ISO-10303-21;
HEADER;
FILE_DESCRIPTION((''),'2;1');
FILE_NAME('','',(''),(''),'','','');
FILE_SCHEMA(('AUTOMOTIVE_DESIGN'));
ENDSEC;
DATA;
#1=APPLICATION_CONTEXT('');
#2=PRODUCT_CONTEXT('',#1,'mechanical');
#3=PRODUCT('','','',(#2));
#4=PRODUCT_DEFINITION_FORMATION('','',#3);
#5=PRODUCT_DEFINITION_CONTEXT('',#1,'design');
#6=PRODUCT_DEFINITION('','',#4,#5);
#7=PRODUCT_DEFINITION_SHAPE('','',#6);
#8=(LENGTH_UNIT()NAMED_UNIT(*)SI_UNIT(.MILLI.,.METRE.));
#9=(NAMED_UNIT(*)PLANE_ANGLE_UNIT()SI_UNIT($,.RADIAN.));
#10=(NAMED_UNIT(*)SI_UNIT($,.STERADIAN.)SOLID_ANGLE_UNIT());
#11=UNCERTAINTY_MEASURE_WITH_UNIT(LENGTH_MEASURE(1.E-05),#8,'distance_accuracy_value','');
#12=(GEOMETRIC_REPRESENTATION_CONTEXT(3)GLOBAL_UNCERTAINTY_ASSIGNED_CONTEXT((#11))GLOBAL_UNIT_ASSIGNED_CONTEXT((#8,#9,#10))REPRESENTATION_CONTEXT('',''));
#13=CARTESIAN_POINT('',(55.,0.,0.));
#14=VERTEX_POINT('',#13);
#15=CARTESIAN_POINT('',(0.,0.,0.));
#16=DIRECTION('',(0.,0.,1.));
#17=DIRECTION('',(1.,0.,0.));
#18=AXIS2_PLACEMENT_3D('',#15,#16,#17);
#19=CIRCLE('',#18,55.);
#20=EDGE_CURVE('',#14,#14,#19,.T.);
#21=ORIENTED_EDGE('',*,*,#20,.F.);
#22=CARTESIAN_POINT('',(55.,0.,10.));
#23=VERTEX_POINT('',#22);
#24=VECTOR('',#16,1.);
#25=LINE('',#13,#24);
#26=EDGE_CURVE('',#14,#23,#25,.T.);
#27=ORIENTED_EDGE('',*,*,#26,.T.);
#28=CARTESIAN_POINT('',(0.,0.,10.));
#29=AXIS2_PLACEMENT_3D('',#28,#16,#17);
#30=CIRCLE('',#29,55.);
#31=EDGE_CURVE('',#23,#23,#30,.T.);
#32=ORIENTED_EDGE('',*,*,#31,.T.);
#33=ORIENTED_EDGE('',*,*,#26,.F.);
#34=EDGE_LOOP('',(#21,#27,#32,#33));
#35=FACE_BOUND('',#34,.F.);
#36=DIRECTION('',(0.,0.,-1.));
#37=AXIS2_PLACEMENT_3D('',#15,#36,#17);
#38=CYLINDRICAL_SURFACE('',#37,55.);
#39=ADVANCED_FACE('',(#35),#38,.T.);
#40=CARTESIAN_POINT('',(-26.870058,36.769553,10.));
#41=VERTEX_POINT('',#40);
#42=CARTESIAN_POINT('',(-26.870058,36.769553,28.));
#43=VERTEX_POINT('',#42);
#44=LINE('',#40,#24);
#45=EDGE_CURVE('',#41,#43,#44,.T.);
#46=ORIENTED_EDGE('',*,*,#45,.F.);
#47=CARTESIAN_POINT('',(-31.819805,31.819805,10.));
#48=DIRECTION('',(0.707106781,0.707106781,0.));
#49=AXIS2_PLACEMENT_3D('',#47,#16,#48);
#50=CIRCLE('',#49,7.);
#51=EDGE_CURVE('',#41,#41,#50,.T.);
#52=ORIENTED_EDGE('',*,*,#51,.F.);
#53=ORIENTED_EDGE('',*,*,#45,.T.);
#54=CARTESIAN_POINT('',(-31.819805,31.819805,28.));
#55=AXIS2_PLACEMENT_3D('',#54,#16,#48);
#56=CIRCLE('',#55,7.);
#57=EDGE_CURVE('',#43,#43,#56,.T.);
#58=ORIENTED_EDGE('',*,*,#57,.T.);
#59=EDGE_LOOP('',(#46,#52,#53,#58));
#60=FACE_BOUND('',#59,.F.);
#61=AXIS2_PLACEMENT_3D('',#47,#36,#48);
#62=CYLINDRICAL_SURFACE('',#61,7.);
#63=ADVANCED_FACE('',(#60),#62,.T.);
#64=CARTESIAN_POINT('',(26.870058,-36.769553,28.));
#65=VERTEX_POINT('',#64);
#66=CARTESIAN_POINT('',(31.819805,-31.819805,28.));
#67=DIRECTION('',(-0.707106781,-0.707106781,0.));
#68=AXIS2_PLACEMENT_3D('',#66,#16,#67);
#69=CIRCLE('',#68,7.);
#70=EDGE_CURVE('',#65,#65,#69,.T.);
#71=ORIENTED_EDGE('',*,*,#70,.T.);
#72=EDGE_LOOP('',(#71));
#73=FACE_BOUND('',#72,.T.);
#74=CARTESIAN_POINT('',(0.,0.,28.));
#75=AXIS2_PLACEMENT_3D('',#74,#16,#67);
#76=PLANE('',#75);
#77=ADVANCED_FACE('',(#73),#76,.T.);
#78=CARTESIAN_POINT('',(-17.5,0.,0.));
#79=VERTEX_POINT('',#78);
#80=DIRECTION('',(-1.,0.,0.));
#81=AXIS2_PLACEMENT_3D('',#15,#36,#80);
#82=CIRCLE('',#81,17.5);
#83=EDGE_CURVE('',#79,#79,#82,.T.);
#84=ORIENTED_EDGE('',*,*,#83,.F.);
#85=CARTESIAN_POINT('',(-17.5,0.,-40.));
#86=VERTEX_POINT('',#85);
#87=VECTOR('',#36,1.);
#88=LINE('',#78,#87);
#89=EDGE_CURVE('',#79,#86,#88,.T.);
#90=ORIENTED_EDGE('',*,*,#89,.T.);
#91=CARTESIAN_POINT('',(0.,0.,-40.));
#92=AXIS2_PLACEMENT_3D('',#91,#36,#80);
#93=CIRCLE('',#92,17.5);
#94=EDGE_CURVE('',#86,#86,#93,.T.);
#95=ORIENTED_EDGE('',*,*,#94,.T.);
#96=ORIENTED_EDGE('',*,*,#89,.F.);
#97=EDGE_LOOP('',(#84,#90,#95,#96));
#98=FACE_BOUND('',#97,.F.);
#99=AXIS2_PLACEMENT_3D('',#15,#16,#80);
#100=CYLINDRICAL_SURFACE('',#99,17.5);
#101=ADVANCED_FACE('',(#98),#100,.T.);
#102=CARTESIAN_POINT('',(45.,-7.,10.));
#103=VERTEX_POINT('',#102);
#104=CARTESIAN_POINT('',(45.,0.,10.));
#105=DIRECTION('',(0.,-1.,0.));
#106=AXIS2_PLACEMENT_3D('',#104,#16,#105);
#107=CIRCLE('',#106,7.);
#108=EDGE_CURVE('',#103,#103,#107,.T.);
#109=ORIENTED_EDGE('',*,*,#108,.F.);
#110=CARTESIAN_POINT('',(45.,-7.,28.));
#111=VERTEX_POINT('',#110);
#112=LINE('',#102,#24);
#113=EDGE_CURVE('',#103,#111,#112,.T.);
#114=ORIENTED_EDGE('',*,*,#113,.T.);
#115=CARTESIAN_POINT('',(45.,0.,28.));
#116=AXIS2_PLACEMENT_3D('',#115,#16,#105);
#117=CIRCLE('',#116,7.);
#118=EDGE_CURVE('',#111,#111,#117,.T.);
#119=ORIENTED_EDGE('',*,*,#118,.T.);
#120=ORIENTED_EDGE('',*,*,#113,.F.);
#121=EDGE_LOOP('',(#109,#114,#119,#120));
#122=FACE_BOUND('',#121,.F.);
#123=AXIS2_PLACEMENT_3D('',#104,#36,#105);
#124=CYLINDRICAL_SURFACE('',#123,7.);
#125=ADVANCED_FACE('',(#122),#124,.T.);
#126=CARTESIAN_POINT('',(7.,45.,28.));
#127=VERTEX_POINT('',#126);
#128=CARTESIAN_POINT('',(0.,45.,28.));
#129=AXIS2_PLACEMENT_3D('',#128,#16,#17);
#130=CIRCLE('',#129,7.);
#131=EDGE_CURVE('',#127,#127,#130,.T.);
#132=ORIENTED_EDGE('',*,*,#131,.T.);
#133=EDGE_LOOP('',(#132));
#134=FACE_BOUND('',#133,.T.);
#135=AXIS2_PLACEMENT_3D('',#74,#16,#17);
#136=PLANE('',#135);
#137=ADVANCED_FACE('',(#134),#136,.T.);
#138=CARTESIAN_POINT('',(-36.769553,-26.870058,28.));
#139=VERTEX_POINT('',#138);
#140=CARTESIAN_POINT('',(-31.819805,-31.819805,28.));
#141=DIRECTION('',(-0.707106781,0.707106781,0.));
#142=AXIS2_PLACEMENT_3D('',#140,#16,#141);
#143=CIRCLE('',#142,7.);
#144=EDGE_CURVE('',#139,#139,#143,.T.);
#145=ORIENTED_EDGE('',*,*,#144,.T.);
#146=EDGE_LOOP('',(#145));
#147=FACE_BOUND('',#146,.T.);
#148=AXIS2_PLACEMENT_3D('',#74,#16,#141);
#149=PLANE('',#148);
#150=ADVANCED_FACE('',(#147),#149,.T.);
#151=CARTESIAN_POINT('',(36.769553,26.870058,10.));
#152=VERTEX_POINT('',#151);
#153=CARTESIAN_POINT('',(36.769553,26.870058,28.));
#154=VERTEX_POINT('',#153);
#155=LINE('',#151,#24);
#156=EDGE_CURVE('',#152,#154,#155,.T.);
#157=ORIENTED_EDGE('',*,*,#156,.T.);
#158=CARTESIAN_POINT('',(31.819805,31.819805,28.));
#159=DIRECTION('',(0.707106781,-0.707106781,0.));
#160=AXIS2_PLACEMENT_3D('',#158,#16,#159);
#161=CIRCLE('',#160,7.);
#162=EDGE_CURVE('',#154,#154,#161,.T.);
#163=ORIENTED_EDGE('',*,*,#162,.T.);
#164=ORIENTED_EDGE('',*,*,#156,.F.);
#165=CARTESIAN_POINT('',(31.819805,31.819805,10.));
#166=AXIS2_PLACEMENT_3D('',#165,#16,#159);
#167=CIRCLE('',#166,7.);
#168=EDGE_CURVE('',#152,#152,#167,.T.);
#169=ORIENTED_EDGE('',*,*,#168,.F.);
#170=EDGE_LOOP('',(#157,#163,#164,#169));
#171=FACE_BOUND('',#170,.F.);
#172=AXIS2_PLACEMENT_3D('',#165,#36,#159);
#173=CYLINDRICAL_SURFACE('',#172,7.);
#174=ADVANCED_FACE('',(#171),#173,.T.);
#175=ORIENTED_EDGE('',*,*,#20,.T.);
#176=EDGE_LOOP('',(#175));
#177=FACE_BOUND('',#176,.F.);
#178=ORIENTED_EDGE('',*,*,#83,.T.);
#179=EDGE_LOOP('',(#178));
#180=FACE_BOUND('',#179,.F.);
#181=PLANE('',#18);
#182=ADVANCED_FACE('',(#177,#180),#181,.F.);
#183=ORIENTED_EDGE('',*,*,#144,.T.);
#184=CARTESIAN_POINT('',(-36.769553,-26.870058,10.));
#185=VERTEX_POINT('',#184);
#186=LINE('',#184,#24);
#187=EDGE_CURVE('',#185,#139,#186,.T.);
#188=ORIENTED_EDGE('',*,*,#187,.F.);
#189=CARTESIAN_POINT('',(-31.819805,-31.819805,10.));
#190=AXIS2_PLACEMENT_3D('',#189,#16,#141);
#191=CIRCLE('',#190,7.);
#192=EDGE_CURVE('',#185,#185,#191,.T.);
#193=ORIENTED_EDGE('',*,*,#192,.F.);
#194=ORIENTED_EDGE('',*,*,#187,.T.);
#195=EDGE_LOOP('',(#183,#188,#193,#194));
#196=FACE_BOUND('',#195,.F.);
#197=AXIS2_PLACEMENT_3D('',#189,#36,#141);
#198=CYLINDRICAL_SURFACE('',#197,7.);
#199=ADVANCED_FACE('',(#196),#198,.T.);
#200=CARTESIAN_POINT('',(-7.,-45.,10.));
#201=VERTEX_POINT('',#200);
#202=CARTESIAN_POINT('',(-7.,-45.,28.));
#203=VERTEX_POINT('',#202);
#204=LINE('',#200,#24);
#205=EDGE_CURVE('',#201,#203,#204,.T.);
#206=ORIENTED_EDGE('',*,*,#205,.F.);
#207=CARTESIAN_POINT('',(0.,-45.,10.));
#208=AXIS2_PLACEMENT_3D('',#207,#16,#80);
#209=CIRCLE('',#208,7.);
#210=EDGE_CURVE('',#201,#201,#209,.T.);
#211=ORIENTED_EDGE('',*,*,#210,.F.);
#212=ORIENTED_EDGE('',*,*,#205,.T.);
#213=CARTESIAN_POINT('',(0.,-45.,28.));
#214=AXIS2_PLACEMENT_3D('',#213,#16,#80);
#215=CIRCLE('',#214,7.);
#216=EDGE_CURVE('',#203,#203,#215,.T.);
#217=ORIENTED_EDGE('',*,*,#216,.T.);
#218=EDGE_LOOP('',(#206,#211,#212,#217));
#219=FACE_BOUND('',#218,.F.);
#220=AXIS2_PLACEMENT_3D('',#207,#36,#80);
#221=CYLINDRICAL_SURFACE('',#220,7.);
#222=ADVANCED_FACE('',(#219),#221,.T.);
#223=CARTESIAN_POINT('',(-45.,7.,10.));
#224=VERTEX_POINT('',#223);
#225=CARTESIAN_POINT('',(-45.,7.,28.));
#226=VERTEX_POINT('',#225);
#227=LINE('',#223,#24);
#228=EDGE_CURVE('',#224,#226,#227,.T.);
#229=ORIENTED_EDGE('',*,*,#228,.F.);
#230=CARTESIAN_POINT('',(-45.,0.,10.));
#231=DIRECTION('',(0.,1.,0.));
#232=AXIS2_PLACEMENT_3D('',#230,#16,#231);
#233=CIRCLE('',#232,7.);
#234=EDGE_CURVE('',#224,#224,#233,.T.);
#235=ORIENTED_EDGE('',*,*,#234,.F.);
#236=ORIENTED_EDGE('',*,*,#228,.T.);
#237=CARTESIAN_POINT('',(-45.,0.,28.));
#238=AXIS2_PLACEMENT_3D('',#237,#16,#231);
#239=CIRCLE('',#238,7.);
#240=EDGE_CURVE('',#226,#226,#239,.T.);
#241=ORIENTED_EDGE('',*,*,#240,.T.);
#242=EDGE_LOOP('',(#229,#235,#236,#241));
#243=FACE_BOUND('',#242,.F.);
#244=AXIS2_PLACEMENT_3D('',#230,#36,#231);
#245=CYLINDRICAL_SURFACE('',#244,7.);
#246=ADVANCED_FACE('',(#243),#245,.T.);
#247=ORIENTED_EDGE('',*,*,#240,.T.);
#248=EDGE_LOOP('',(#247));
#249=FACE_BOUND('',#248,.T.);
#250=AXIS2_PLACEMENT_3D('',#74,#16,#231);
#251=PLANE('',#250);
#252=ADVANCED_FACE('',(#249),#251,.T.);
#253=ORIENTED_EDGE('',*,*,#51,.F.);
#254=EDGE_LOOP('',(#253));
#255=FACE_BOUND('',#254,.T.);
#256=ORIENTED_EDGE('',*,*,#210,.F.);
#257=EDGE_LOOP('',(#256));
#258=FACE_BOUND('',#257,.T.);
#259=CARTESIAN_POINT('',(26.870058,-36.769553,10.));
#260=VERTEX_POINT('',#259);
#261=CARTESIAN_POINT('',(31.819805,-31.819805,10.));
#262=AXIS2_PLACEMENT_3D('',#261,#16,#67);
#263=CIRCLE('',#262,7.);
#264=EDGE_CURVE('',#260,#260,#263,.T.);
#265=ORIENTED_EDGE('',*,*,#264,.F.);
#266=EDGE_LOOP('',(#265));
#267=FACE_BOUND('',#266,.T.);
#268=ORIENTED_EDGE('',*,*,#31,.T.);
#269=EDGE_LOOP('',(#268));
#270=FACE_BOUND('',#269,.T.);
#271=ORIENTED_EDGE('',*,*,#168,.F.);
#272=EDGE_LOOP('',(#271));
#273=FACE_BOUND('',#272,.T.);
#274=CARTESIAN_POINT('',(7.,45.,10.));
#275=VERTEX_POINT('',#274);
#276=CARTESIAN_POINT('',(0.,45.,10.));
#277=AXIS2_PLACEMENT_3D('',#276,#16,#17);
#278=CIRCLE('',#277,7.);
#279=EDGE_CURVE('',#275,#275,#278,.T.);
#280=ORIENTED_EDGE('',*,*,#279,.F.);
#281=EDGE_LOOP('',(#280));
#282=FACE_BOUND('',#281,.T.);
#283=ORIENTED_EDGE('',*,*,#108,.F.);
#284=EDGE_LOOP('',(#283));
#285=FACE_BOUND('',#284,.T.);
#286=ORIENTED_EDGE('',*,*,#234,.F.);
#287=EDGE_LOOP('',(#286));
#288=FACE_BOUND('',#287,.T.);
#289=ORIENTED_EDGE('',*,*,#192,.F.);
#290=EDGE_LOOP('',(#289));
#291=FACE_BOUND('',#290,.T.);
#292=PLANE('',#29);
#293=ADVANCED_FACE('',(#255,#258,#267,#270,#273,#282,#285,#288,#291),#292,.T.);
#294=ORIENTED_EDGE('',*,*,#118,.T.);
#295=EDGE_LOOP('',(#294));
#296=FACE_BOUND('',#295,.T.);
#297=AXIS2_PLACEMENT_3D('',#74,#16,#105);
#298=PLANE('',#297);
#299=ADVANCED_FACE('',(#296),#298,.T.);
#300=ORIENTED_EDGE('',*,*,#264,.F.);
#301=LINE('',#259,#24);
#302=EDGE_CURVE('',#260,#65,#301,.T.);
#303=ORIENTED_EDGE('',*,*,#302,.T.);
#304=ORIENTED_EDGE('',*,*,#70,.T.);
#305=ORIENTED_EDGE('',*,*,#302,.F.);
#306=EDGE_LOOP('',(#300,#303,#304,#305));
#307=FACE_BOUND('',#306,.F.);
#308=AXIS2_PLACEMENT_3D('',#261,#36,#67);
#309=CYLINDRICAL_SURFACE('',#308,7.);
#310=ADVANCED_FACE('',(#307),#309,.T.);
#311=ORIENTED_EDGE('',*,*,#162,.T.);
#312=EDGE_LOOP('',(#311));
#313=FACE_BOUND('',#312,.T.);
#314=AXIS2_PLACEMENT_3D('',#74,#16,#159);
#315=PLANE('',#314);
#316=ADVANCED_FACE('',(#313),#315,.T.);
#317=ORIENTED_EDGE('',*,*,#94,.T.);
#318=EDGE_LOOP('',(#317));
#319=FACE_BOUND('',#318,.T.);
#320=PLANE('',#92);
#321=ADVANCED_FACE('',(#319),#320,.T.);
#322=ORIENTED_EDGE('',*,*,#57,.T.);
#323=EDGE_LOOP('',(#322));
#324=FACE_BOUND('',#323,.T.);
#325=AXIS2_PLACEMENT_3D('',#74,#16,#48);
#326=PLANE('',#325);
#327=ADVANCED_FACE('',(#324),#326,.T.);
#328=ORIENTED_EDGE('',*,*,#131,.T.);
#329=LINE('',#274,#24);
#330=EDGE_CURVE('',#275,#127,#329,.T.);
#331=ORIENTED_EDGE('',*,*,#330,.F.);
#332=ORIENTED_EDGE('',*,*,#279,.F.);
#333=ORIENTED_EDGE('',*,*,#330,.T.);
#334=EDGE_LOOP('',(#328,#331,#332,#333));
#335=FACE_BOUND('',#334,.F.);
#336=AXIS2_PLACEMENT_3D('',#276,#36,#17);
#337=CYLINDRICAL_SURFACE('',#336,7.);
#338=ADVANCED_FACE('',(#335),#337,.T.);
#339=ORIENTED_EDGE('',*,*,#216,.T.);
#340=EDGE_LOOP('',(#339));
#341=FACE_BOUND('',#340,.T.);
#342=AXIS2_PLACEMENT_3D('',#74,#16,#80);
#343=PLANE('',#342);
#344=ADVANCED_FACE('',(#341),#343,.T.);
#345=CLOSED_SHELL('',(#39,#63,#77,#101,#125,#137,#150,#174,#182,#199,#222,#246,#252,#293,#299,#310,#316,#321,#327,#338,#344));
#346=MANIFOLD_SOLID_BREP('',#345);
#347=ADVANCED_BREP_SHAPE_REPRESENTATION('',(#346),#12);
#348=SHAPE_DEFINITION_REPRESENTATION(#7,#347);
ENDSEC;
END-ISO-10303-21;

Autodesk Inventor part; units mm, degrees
ref_plane "YZ Plane" through (0, 0, 0) normal (1, 0, 0) x (0, 1, 0)
ref_plane "XZ Plane" through (0, 0, 0) normal (0, 1, 0) x (-1, 0, 0)
ref_plane "XY Plane" through (0, 0, 0) normal (0, 0, 1) x (1, 0, 0)
sketch "스케치1" plane through (0, 0, 0) normal (0, 0, 1) x (1, 0, 0)
  circle A0 centre (0, 0) radius 55
  dimension "d0" = 110
extrude "돌출1" add sketch "스케치1" along normal blind 10
sketch "스케치2" plane through (0, 0, 10) normal (0, 0, 1) x (1, 0, 0)
  circle A0 centre (0, 0) radius 45 construction
  line L0 (0, 0) -> (0, 45) construction
  circle A1 centre (0, 45) radius 7
  dimension "d3" = 90
  dimension "d4" = 14
extrude "돌출2" add sketch "스케치2" along normal blind 18
pattern_circular "원형 패턴1" count 8 over 360 about axis through (0, 0, 0) along (0, 0, 1) of "돌출2"
sketch "스케치3" plane through (0, 0, 0) normal (0, 0, -1) x (-1, 0, 0)
  circle A0 centre (0, 0) radius 17.5
  dimension "d10" = 35
extrude "돌출3" add sketch "스케치3" along normal blind 40
properties part number "out_shaft"
